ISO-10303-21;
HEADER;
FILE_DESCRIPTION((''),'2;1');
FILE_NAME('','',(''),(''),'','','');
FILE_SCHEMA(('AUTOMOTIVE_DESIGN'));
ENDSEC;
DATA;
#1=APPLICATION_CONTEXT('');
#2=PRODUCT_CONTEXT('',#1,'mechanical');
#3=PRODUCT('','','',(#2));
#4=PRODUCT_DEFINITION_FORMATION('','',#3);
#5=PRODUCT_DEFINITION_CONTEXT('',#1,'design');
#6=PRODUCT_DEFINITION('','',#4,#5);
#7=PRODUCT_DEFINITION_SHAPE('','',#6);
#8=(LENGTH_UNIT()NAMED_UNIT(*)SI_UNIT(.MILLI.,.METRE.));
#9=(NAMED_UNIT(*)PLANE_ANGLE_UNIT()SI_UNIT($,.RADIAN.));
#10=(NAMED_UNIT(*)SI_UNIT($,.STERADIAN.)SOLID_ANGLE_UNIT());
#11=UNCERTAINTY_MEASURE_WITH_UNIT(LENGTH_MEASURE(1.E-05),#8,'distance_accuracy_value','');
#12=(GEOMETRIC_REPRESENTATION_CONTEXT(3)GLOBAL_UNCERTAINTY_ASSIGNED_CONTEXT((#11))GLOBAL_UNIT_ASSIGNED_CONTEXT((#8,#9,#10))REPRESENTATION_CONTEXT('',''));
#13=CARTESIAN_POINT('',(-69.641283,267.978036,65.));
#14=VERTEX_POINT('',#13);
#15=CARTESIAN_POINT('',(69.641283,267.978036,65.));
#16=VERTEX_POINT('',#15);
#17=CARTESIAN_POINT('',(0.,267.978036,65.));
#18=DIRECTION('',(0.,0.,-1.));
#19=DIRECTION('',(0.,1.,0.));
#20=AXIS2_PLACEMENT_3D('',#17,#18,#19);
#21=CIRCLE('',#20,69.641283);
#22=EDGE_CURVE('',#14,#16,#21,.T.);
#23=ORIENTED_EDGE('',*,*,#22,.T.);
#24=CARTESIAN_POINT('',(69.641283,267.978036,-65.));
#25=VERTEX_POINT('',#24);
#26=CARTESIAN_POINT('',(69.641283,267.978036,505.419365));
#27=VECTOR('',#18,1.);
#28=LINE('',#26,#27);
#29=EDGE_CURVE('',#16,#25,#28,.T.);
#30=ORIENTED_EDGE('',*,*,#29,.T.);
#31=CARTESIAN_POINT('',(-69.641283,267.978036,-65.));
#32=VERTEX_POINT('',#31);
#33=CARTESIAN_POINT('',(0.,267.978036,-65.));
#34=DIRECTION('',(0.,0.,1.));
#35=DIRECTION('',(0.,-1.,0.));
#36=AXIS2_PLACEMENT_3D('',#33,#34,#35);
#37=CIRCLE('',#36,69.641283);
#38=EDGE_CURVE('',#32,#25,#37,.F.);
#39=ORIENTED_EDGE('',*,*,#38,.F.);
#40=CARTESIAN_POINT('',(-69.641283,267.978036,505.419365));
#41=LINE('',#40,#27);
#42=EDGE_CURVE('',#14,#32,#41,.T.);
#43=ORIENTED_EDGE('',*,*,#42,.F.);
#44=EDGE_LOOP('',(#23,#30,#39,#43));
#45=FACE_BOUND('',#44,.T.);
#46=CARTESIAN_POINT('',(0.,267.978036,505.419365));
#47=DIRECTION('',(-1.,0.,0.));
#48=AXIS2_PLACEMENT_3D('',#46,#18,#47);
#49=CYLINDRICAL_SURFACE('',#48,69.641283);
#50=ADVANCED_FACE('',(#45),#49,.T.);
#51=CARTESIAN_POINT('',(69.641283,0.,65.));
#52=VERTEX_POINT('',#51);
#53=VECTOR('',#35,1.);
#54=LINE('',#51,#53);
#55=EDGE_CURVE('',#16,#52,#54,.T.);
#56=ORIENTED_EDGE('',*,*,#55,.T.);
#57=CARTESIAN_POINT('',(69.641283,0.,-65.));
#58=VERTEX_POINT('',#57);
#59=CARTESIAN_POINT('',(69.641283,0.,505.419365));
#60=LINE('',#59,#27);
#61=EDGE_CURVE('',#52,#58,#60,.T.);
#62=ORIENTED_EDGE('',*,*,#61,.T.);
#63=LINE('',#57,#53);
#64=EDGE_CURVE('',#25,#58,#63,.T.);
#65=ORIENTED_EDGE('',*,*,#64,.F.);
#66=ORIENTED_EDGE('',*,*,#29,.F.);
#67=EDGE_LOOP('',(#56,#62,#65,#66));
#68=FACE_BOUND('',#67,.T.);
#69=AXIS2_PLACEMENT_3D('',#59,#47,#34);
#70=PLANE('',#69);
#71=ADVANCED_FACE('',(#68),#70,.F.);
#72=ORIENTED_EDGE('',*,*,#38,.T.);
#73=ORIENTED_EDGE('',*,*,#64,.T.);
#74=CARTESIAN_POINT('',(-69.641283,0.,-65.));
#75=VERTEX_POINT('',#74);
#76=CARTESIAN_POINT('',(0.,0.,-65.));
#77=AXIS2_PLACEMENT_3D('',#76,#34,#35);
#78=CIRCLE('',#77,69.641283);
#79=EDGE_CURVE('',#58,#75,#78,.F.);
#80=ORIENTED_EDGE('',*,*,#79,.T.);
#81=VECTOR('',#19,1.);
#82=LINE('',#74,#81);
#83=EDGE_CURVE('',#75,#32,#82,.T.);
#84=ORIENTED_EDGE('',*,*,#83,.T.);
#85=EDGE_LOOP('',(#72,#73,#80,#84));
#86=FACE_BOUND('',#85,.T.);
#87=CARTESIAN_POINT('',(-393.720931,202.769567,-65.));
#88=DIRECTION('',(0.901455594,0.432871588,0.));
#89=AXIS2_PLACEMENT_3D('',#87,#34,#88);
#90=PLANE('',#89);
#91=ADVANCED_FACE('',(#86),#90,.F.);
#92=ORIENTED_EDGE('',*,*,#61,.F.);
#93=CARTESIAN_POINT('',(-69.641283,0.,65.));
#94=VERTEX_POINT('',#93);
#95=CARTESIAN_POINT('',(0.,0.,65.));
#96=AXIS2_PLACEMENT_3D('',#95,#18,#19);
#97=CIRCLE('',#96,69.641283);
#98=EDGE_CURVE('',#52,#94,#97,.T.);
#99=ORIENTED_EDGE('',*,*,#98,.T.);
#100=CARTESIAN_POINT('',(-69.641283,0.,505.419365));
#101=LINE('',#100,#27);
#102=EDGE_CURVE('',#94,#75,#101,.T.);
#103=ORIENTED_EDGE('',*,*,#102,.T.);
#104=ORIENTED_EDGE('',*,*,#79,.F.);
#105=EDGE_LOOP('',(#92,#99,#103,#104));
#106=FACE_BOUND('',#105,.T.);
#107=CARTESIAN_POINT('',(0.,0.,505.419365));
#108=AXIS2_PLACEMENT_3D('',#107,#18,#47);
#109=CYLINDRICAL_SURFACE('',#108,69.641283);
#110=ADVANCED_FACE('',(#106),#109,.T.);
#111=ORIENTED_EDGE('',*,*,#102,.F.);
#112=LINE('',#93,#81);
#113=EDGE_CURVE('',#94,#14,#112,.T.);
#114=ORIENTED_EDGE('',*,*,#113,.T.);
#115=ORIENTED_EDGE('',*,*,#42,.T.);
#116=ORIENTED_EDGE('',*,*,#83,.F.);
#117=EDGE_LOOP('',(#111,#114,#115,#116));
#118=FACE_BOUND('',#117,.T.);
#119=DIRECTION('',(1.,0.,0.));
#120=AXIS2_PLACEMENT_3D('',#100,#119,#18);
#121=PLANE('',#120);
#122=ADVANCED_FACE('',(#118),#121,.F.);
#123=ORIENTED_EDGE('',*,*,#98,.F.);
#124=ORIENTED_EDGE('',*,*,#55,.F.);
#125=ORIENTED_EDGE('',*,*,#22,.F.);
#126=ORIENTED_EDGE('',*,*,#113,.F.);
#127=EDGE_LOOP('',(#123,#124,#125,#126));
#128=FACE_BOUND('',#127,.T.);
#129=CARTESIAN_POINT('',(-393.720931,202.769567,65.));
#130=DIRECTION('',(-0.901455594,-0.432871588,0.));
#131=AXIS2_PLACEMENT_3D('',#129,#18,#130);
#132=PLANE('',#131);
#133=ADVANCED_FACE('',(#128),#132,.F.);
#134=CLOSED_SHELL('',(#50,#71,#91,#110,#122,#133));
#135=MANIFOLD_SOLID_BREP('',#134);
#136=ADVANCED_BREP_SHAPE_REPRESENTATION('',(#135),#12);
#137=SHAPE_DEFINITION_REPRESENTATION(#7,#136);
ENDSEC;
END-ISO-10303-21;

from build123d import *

# Parameters (mm, degrees)
STEM_BLOCK_EXTRUDE_DEPTH      = 65
STEM_BLOCK_EXTRUDE_DEPTH_BACK = 65


with BuildPart() as part:
    # Stem Block Sketch → Stem Block Extrude (new, two sides: drawn at the far end of the back side and taken through both)
    with BuildSketch(Plane.XY.offset(-STEM_BLOCK_EXTRUDE_DEPTH_BACK)):
        with BuildLine():
            Line((-69.641282517, 0), (-69.641282517, 267.978036065))
            ThreePointArc((-69.641282517, 267.978036065), (0, 337.619318582), (69.641282517, 267.978036065))
            Line((69.641282517, 267.978036065), (69.641282517, 0))
            ThreePointArc((69.641282517, 0), (0, -69.641282517), (-69.641282517, 0))
        make_face()
    extrude(amount=STEM_BLOCK_EXTRUDE_DEPTH + STEM_BLOCK_EXTRUDE_DEPTH_BACK)


solid = part.part
